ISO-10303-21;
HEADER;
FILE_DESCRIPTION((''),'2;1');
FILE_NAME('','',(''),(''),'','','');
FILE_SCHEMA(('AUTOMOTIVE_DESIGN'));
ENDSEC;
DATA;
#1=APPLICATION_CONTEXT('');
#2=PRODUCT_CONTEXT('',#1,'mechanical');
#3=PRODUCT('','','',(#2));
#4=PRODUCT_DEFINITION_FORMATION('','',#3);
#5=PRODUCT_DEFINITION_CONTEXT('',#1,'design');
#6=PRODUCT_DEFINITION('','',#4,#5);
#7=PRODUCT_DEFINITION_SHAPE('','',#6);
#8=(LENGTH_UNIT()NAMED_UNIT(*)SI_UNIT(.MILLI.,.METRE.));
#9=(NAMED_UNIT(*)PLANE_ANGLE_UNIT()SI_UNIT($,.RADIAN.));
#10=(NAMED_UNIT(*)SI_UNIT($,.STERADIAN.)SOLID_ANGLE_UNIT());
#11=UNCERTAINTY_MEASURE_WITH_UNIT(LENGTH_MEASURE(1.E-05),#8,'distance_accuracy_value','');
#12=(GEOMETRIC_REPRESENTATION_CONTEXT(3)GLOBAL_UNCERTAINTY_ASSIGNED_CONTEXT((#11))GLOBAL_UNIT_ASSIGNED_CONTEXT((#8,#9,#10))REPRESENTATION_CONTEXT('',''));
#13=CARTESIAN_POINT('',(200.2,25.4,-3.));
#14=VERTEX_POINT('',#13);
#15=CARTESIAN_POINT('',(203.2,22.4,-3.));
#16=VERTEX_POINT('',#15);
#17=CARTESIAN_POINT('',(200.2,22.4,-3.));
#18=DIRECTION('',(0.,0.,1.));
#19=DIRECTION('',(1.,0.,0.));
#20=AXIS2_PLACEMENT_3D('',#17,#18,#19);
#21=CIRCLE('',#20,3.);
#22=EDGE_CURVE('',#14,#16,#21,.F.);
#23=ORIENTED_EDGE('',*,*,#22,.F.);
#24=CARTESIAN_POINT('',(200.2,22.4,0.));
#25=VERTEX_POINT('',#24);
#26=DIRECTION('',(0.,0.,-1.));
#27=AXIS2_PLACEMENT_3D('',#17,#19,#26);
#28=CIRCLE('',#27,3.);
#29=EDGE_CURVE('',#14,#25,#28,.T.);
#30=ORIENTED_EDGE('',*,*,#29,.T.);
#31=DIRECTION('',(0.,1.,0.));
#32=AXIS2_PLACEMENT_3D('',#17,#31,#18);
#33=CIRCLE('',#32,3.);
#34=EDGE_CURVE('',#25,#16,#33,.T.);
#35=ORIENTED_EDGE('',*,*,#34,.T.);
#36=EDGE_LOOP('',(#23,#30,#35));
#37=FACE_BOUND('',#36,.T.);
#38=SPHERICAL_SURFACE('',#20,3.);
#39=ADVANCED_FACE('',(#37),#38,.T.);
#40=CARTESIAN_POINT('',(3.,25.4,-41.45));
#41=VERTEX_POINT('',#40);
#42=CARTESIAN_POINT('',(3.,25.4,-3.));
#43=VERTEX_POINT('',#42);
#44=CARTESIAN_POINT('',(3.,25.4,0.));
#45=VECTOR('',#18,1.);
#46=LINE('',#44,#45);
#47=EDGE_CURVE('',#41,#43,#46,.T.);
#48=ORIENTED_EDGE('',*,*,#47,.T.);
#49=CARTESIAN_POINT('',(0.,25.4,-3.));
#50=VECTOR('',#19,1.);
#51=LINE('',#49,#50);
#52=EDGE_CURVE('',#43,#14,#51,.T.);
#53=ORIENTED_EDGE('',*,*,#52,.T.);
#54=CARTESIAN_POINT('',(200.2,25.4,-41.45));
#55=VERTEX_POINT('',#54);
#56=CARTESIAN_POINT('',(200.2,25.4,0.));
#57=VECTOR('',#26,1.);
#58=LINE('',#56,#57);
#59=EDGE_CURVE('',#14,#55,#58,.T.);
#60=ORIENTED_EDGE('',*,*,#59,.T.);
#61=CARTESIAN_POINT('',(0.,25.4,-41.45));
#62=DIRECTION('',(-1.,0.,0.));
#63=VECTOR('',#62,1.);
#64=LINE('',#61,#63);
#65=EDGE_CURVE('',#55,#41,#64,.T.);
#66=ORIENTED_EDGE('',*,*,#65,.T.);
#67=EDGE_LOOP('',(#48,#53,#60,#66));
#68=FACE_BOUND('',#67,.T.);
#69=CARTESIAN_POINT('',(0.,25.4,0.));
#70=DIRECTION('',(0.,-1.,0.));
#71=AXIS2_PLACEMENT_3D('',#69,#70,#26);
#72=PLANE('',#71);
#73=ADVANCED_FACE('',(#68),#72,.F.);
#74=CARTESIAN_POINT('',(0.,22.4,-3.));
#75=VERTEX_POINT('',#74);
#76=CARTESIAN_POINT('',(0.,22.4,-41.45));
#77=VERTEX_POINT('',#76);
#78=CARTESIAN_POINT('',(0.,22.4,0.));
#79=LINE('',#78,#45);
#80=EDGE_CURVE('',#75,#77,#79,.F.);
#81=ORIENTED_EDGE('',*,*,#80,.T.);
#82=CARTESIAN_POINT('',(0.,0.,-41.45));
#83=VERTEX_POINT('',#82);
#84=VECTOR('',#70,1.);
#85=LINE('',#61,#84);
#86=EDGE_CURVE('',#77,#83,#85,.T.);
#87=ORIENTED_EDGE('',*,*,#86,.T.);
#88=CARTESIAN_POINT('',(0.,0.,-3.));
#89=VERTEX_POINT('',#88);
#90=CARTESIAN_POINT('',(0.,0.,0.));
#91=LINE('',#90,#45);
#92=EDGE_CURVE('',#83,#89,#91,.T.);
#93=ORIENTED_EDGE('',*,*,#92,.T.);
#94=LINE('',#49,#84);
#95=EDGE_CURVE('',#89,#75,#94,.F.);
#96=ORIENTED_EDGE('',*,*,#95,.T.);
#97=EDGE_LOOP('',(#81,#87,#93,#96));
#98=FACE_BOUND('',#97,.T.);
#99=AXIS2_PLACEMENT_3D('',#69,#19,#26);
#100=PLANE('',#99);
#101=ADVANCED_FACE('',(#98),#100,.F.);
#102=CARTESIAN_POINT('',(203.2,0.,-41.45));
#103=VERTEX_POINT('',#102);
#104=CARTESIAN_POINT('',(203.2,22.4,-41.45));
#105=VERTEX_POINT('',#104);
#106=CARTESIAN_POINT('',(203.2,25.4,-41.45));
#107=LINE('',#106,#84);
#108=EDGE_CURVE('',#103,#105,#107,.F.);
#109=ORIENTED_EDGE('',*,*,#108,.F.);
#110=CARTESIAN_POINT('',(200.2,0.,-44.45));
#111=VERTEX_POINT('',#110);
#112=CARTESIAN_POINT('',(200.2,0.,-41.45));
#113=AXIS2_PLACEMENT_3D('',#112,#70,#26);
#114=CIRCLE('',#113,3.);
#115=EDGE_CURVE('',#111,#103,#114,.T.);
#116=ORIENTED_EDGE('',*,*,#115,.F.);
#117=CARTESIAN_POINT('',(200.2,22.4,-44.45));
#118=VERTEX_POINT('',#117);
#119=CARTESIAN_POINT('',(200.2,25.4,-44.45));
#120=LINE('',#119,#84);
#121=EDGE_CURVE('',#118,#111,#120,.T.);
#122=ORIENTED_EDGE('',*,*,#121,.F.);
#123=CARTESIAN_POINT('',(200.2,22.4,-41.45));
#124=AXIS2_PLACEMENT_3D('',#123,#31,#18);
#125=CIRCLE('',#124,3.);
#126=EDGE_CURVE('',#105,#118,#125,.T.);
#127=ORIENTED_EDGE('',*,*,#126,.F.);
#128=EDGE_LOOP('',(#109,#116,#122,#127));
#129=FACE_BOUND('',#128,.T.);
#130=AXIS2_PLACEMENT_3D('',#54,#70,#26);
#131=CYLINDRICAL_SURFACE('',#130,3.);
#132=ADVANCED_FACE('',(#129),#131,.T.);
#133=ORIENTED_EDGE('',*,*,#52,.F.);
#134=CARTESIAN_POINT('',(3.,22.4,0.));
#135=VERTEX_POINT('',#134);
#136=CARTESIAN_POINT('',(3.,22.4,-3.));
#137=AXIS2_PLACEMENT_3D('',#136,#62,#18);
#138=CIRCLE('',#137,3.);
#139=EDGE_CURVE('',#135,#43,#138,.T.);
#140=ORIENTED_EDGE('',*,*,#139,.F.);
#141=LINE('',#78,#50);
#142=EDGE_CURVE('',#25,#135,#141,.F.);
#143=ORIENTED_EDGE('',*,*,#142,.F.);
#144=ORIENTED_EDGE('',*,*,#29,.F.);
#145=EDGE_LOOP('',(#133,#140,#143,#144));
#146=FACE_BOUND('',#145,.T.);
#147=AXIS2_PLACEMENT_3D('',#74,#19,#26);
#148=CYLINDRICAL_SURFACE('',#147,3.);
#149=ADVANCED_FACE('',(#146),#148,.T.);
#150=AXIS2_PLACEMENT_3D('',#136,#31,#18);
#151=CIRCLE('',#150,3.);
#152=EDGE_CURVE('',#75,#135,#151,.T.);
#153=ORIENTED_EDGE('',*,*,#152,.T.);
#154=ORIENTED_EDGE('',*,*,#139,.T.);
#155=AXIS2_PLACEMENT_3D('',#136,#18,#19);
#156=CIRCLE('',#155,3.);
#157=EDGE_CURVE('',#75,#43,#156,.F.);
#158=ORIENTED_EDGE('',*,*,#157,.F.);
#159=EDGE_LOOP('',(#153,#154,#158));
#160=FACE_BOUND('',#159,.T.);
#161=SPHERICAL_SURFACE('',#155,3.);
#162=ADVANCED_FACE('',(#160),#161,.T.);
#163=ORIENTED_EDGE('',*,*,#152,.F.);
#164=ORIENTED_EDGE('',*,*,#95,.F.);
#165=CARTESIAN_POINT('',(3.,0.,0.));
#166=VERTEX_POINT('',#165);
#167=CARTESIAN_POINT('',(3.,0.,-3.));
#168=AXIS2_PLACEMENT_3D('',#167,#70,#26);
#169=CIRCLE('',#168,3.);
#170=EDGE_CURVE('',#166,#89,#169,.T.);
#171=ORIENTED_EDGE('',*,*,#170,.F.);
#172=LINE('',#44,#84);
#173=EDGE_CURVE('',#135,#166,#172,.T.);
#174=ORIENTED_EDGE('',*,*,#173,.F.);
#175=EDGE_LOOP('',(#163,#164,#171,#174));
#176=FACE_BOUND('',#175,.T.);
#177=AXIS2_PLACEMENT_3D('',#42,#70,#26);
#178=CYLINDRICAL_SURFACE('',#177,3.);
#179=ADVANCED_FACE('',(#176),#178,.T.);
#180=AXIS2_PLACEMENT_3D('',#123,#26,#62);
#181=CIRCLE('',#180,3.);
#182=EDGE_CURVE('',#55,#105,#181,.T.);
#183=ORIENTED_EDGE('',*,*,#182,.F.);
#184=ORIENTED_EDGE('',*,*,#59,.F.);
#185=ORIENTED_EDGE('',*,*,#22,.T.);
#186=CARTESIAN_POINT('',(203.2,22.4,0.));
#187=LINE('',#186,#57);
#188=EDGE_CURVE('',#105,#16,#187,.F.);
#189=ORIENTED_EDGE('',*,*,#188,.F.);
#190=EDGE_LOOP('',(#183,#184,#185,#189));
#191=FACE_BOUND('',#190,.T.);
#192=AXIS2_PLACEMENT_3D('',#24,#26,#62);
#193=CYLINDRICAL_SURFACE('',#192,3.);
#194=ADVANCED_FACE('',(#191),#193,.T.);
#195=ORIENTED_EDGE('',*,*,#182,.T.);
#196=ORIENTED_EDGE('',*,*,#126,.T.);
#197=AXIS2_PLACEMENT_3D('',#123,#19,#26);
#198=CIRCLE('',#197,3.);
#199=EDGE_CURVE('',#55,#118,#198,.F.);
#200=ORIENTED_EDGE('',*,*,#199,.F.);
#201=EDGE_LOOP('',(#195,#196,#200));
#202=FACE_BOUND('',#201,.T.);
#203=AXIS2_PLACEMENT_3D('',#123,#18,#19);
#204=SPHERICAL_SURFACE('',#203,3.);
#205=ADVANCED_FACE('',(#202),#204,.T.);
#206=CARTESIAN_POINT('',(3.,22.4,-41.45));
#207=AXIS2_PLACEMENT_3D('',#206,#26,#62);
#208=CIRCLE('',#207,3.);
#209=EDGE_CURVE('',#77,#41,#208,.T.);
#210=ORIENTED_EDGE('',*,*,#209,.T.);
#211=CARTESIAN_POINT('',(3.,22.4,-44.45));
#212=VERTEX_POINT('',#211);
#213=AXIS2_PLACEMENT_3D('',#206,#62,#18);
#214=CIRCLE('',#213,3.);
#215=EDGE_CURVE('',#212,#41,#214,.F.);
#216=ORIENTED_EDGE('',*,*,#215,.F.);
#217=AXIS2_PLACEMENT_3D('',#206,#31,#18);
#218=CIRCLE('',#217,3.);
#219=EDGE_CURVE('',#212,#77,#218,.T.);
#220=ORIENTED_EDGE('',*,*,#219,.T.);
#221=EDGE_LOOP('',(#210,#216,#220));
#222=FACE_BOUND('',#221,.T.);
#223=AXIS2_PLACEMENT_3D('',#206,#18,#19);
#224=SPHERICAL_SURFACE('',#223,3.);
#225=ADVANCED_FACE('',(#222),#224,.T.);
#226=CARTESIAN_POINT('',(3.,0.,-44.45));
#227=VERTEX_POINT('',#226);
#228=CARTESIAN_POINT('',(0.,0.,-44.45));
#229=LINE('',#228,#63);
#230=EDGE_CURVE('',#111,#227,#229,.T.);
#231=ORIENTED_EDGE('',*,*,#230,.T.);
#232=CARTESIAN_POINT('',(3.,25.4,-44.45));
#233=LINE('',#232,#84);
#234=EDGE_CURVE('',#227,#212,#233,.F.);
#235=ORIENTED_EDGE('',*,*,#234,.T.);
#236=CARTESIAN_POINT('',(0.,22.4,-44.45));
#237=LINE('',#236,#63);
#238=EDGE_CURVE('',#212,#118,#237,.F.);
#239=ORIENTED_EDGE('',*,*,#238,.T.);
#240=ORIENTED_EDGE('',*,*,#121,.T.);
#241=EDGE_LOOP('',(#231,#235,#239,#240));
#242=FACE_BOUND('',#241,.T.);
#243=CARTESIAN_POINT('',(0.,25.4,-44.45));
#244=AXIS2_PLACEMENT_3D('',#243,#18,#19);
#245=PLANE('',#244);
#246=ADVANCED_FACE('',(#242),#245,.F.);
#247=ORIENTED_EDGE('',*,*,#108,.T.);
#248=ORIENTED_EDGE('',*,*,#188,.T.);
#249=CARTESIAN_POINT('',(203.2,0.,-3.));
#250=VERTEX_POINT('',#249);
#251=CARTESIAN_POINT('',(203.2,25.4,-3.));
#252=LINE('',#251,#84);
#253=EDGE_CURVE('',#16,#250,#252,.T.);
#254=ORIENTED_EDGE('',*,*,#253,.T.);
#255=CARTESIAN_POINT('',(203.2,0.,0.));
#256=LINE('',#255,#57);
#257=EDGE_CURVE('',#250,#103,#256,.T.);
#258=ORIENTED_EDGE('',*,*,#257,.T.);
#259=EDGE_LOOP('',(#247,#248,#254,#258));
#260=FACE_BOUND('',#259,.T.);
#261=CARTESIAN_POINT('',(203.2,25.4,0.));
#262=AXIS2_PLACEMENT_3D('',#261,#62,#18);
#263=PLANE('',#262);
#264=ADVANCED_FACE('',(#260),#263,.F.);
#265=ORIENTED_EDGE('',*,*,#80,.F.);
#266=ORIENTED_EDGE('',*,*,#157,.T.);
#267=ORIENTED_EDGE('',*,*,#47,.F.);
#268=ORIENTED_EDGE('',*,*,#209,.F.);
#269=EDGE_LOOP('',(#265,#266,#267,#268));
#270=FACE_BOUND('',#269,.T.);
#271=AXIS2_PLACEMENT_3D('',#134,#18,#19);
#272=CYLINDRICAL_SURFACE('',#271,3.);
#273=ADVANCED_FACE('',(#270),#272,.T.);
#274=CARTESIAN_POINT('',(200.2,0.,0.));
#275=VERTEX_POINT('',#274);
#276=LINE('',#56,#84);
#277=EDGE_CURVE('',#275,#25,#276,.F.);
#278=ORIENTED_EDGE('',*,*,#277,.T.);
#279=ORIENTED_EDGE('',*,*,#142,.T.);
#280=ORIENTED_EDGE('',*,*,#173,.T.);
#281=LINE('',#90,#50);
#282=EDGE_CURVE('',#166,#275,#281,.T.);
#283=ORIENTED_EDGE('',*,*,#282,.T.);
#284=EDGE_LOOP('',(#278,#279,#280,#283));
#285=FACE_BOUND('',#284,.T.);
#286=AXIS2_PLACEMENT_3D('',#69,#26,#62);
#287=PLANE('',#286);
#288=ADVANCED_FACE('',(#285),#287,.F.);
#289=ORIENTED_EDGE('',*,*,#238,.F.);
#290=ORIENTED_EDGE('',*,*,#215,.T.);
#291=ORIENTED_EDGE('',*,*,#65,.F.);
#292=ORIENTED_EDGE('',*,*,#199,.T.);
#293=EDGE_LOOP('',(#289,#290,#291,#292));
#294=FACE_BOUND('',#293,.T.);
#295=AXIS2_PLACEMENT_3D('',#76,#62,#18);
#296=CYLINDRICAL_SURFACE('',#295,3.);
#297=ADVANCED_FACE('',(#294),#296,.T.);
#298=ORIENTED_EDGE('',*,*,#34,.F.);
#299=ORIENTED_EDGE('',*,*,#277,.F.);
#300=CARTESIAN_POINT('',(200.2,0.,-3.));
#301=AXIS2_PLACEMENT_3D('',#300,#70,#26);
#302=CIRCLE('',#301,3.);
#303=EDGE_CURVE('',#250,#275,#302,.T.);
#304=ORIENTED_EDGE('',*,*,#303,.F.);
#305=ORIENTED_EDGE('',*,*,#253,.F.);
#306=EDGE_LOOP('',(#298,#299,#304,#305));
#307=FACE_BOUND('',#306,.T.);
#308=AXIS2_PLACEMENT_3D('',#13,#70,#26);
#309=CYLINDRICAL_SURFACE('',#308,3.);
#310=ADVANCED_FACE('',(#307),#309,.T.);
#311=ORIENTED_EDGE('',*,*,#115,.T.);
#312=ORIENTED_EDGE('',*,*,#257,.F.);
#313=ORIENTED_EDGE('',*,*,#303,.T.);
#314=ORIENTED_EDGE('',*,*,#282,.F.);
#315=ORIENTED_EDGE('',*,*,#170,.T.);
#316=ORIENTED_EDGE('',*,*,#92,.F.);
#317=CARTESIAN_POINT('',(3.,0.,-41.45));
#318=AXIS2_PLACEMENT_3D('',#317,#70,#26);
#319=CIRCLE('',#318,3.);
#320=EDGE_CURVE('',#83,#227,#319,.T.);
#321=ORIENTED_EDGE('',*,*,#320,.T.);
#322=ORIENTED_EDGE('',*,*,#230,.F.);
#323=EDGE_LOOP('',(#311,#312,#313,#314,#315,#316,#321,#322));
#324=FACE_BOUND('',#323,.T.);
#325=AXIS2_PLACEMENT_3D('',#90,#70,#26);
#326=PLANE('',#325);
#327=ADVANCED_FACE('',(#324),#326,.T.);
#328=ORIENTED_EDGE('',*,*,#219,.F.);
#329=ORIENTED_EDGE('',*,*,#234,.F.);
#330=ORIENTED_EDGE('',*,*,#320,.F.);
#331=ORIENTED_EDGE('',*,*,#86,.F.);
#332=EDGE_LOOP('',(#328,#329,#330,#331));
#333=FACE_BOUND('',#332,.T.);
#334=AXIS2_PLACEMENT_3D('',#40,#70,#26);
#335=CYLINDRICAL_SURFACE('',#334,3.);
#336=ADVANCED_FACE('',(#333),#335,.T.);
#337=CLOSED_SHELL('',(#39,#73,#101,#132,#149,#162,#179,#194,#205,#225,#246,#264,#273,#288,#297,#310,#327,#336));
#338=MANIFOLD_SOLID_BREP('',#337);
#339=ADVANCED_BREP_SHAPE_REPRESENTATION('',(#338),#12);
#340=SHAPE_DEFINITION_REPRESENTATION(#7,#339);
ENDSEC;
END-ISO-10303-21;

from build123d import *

# Parameters (mm, degrees)
SKETCH1_W           = 203.2
SKETCH1_H           = 44.45
BOSS_EXTRUDE1_DEPTH = 25.4
FILLET1_R           = 3


with BuildPart() as part:
    # Sketch1 → Boss-Extrude1 (new body)
    with BuildSketch(Plane(origin=(0, 0, 0), x_dir=(1, 0, 0), z_dir=(0, 1, 0))):
        with Locations((101.6, 22.225)):
            Rectangle(SKETCH1_W, SKETCH1_H)
    extrude(amount=BOSS_EXTRUDE1_DEPTH)

    # Fillet1
    fillet1_edges = [part.edges().sort_by_distance(p)[0] for p in [
        (203.2, 25.4, -22.225),
        (101.6, 25.4, -44.45),
        (0, 25.4, -22.225),
        (0, 12.7, -44.45),
        (203.2, 12.7, -44.45),
        (203.2, 12.7, 0),
        (0, 12.7, 0),
        (101.6, 25.4, 0),
    ]]
    fillet(fillet1_edges, radius=FILLET1_R)


solid = part.part
